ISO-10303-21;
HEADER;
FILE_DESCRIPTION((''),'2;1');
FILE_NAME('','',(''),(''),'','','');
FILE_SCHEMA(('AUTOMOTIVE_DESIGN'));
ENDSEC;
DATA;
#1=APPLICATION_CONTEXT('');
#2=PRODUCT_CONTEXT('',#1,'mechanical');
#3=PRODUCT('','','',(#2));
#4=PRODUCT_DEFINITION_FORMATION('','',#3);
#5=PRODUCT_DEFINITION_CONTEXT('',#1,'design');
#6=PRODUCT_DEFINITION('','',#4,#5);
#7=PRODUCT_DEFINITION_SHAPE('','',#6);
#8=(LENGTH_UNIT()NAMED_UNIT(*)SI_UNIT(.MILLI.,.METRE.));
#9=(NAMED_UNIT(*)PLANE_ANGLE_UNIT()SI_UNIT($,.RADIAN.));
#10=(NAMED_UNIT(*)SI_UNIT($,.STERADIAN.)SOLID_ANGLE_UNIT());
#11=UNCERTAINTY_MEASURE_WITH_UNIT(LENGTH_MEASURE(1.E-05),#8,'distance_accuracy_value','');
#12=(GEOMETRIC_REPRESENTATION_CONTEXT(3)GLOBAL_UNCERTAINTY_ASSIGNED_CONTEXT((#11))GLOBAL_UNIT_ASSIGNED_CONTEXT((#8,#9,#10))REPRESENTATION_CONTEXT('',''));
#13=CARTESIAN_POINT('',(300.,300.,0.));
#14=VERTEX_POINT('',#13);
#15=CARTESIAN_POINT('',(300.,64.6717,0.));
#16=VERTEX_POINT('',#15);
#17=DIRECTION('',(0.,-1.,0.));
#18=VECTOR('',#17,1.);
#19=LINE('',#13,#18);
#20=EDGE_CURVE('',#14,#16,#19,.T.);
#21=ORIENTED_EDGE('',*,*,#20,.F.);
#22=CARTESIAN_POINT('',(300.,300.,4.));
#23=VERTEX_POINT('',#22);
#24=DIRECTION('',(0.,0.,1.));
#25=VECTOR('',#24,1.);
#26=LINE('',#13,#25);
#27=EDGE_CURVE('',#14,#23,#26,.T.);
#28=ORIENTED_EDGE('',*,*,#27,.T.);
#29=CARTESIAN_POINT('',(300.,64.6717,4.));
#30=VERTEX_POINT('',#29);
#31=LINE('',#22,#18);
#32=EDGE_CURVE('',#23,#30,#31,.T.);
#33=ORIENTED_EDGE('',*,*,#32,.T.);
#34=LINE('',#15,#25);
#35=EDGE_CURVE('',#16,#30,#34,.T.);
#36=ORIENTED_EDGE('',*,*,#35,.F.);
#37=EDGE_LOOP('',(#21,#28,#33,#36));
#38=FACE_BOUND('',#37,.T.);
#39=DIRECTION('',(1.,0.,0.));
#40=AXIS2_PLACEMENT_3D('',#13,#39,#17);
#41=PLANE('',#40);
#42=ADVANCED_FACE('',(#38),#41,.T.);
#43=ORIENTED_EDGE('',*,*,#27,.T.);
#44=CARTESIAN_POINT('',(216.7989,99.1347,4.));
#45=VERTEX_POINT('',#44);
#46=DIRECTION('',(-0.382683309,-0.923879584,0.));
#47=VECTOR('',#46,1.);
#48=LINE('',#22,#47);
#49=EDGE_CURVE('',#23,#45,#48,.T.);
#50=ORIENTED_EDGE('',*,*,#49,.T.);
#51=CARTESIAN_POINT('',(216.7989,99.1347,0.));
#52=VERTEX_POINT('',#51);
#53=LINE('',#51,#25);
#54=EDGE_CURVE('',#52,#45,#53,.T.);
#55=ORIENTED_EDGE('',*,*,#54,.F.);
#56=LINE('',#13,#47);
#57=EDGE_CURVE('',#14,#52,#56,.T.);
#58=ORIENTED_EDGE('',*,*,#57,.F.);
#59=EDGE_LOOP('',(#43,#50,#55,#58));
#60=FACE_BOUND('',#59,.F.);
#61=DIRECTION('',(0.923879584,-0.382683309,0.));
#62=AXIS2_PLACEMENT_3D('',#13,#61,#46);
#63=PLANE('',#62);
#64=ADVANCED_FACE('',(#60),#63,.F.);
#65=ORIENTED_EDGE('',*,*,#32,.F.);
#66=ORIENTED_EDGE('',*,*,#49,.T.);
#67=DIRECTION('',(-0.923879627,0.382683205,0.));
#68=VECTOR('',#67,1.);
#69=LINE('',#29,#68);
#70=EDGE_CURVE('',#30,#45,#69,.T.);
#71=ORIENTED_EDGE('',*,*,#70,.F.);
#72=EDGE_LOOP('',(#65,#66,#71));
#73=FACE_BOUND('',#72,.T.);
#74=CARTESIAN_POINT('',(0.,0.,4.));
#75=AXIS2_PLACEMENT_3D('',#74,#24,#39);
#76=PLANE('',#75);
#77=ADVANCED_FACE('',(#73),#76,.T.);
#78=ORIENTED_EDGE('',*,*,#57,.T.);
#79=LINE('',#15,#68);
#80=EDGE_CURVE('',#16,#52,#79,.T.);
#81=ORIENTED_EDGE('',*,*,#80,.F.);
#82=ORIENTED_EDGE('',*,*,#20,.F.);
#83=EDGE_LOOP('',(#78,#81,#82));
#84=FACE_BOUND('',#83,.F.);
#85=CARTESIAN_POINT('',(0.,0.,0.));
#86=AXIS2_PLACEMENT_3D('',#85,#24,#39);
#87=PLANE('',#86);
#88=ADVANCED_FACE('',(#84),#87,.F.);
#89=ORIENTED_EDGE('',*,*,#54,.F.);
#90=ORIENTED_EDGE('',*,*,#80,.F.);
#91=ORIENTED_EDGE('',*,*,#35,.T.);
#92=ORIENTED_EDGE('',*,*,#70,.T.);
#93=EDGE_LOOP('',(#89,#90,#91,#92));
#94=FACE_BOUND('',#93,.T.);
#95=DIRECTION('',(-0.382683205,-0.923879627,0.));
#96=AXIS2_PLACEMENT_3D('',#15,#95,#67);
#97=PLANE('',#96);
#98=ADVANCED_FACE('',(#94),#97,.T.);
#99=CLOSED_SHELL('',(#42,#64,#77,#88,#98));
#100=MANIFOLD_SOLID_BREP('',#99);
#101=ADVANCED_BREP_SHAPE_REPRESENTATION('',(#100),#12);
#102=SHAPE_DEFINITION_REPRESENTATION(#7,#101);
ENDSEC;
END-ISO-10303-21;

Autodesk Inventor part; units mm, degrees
ref_plane "YZ Plane" through (0, 0, 0) normal (1, 0, 0) x (0, 1, 0)
ref_plane "XZ Plane" through (0, 0, 0) normal (0, 1, 0) x (-1, 0, 0)
ref_plane "Work Plane1" through (0, 0, 0) normal (0, 0, 1) x (1, 0, 0)
sketch "Sketch1" plane through (0, 0, 0) normal (0, 0, 1) x (1, 0, 0)
  line L0 (300, -300) -> (300, 300) construction
  line L1 (303.8268, 63.0866) -> (-250.5009, 292.6966) construction
  line L2 (300, 300) -> (300, 64.6717)
  line L3 (300, 300) -> (216.7989, 99.1347)
  line L4 (300, 64.6717) -> (216.7989, 99.1347)
  point P0 (0, 0)
extrude "Extrusion1" add sketch "Sketch1" along normal blind 4
properties part number "ref1" material "Wood (Cherry)"
